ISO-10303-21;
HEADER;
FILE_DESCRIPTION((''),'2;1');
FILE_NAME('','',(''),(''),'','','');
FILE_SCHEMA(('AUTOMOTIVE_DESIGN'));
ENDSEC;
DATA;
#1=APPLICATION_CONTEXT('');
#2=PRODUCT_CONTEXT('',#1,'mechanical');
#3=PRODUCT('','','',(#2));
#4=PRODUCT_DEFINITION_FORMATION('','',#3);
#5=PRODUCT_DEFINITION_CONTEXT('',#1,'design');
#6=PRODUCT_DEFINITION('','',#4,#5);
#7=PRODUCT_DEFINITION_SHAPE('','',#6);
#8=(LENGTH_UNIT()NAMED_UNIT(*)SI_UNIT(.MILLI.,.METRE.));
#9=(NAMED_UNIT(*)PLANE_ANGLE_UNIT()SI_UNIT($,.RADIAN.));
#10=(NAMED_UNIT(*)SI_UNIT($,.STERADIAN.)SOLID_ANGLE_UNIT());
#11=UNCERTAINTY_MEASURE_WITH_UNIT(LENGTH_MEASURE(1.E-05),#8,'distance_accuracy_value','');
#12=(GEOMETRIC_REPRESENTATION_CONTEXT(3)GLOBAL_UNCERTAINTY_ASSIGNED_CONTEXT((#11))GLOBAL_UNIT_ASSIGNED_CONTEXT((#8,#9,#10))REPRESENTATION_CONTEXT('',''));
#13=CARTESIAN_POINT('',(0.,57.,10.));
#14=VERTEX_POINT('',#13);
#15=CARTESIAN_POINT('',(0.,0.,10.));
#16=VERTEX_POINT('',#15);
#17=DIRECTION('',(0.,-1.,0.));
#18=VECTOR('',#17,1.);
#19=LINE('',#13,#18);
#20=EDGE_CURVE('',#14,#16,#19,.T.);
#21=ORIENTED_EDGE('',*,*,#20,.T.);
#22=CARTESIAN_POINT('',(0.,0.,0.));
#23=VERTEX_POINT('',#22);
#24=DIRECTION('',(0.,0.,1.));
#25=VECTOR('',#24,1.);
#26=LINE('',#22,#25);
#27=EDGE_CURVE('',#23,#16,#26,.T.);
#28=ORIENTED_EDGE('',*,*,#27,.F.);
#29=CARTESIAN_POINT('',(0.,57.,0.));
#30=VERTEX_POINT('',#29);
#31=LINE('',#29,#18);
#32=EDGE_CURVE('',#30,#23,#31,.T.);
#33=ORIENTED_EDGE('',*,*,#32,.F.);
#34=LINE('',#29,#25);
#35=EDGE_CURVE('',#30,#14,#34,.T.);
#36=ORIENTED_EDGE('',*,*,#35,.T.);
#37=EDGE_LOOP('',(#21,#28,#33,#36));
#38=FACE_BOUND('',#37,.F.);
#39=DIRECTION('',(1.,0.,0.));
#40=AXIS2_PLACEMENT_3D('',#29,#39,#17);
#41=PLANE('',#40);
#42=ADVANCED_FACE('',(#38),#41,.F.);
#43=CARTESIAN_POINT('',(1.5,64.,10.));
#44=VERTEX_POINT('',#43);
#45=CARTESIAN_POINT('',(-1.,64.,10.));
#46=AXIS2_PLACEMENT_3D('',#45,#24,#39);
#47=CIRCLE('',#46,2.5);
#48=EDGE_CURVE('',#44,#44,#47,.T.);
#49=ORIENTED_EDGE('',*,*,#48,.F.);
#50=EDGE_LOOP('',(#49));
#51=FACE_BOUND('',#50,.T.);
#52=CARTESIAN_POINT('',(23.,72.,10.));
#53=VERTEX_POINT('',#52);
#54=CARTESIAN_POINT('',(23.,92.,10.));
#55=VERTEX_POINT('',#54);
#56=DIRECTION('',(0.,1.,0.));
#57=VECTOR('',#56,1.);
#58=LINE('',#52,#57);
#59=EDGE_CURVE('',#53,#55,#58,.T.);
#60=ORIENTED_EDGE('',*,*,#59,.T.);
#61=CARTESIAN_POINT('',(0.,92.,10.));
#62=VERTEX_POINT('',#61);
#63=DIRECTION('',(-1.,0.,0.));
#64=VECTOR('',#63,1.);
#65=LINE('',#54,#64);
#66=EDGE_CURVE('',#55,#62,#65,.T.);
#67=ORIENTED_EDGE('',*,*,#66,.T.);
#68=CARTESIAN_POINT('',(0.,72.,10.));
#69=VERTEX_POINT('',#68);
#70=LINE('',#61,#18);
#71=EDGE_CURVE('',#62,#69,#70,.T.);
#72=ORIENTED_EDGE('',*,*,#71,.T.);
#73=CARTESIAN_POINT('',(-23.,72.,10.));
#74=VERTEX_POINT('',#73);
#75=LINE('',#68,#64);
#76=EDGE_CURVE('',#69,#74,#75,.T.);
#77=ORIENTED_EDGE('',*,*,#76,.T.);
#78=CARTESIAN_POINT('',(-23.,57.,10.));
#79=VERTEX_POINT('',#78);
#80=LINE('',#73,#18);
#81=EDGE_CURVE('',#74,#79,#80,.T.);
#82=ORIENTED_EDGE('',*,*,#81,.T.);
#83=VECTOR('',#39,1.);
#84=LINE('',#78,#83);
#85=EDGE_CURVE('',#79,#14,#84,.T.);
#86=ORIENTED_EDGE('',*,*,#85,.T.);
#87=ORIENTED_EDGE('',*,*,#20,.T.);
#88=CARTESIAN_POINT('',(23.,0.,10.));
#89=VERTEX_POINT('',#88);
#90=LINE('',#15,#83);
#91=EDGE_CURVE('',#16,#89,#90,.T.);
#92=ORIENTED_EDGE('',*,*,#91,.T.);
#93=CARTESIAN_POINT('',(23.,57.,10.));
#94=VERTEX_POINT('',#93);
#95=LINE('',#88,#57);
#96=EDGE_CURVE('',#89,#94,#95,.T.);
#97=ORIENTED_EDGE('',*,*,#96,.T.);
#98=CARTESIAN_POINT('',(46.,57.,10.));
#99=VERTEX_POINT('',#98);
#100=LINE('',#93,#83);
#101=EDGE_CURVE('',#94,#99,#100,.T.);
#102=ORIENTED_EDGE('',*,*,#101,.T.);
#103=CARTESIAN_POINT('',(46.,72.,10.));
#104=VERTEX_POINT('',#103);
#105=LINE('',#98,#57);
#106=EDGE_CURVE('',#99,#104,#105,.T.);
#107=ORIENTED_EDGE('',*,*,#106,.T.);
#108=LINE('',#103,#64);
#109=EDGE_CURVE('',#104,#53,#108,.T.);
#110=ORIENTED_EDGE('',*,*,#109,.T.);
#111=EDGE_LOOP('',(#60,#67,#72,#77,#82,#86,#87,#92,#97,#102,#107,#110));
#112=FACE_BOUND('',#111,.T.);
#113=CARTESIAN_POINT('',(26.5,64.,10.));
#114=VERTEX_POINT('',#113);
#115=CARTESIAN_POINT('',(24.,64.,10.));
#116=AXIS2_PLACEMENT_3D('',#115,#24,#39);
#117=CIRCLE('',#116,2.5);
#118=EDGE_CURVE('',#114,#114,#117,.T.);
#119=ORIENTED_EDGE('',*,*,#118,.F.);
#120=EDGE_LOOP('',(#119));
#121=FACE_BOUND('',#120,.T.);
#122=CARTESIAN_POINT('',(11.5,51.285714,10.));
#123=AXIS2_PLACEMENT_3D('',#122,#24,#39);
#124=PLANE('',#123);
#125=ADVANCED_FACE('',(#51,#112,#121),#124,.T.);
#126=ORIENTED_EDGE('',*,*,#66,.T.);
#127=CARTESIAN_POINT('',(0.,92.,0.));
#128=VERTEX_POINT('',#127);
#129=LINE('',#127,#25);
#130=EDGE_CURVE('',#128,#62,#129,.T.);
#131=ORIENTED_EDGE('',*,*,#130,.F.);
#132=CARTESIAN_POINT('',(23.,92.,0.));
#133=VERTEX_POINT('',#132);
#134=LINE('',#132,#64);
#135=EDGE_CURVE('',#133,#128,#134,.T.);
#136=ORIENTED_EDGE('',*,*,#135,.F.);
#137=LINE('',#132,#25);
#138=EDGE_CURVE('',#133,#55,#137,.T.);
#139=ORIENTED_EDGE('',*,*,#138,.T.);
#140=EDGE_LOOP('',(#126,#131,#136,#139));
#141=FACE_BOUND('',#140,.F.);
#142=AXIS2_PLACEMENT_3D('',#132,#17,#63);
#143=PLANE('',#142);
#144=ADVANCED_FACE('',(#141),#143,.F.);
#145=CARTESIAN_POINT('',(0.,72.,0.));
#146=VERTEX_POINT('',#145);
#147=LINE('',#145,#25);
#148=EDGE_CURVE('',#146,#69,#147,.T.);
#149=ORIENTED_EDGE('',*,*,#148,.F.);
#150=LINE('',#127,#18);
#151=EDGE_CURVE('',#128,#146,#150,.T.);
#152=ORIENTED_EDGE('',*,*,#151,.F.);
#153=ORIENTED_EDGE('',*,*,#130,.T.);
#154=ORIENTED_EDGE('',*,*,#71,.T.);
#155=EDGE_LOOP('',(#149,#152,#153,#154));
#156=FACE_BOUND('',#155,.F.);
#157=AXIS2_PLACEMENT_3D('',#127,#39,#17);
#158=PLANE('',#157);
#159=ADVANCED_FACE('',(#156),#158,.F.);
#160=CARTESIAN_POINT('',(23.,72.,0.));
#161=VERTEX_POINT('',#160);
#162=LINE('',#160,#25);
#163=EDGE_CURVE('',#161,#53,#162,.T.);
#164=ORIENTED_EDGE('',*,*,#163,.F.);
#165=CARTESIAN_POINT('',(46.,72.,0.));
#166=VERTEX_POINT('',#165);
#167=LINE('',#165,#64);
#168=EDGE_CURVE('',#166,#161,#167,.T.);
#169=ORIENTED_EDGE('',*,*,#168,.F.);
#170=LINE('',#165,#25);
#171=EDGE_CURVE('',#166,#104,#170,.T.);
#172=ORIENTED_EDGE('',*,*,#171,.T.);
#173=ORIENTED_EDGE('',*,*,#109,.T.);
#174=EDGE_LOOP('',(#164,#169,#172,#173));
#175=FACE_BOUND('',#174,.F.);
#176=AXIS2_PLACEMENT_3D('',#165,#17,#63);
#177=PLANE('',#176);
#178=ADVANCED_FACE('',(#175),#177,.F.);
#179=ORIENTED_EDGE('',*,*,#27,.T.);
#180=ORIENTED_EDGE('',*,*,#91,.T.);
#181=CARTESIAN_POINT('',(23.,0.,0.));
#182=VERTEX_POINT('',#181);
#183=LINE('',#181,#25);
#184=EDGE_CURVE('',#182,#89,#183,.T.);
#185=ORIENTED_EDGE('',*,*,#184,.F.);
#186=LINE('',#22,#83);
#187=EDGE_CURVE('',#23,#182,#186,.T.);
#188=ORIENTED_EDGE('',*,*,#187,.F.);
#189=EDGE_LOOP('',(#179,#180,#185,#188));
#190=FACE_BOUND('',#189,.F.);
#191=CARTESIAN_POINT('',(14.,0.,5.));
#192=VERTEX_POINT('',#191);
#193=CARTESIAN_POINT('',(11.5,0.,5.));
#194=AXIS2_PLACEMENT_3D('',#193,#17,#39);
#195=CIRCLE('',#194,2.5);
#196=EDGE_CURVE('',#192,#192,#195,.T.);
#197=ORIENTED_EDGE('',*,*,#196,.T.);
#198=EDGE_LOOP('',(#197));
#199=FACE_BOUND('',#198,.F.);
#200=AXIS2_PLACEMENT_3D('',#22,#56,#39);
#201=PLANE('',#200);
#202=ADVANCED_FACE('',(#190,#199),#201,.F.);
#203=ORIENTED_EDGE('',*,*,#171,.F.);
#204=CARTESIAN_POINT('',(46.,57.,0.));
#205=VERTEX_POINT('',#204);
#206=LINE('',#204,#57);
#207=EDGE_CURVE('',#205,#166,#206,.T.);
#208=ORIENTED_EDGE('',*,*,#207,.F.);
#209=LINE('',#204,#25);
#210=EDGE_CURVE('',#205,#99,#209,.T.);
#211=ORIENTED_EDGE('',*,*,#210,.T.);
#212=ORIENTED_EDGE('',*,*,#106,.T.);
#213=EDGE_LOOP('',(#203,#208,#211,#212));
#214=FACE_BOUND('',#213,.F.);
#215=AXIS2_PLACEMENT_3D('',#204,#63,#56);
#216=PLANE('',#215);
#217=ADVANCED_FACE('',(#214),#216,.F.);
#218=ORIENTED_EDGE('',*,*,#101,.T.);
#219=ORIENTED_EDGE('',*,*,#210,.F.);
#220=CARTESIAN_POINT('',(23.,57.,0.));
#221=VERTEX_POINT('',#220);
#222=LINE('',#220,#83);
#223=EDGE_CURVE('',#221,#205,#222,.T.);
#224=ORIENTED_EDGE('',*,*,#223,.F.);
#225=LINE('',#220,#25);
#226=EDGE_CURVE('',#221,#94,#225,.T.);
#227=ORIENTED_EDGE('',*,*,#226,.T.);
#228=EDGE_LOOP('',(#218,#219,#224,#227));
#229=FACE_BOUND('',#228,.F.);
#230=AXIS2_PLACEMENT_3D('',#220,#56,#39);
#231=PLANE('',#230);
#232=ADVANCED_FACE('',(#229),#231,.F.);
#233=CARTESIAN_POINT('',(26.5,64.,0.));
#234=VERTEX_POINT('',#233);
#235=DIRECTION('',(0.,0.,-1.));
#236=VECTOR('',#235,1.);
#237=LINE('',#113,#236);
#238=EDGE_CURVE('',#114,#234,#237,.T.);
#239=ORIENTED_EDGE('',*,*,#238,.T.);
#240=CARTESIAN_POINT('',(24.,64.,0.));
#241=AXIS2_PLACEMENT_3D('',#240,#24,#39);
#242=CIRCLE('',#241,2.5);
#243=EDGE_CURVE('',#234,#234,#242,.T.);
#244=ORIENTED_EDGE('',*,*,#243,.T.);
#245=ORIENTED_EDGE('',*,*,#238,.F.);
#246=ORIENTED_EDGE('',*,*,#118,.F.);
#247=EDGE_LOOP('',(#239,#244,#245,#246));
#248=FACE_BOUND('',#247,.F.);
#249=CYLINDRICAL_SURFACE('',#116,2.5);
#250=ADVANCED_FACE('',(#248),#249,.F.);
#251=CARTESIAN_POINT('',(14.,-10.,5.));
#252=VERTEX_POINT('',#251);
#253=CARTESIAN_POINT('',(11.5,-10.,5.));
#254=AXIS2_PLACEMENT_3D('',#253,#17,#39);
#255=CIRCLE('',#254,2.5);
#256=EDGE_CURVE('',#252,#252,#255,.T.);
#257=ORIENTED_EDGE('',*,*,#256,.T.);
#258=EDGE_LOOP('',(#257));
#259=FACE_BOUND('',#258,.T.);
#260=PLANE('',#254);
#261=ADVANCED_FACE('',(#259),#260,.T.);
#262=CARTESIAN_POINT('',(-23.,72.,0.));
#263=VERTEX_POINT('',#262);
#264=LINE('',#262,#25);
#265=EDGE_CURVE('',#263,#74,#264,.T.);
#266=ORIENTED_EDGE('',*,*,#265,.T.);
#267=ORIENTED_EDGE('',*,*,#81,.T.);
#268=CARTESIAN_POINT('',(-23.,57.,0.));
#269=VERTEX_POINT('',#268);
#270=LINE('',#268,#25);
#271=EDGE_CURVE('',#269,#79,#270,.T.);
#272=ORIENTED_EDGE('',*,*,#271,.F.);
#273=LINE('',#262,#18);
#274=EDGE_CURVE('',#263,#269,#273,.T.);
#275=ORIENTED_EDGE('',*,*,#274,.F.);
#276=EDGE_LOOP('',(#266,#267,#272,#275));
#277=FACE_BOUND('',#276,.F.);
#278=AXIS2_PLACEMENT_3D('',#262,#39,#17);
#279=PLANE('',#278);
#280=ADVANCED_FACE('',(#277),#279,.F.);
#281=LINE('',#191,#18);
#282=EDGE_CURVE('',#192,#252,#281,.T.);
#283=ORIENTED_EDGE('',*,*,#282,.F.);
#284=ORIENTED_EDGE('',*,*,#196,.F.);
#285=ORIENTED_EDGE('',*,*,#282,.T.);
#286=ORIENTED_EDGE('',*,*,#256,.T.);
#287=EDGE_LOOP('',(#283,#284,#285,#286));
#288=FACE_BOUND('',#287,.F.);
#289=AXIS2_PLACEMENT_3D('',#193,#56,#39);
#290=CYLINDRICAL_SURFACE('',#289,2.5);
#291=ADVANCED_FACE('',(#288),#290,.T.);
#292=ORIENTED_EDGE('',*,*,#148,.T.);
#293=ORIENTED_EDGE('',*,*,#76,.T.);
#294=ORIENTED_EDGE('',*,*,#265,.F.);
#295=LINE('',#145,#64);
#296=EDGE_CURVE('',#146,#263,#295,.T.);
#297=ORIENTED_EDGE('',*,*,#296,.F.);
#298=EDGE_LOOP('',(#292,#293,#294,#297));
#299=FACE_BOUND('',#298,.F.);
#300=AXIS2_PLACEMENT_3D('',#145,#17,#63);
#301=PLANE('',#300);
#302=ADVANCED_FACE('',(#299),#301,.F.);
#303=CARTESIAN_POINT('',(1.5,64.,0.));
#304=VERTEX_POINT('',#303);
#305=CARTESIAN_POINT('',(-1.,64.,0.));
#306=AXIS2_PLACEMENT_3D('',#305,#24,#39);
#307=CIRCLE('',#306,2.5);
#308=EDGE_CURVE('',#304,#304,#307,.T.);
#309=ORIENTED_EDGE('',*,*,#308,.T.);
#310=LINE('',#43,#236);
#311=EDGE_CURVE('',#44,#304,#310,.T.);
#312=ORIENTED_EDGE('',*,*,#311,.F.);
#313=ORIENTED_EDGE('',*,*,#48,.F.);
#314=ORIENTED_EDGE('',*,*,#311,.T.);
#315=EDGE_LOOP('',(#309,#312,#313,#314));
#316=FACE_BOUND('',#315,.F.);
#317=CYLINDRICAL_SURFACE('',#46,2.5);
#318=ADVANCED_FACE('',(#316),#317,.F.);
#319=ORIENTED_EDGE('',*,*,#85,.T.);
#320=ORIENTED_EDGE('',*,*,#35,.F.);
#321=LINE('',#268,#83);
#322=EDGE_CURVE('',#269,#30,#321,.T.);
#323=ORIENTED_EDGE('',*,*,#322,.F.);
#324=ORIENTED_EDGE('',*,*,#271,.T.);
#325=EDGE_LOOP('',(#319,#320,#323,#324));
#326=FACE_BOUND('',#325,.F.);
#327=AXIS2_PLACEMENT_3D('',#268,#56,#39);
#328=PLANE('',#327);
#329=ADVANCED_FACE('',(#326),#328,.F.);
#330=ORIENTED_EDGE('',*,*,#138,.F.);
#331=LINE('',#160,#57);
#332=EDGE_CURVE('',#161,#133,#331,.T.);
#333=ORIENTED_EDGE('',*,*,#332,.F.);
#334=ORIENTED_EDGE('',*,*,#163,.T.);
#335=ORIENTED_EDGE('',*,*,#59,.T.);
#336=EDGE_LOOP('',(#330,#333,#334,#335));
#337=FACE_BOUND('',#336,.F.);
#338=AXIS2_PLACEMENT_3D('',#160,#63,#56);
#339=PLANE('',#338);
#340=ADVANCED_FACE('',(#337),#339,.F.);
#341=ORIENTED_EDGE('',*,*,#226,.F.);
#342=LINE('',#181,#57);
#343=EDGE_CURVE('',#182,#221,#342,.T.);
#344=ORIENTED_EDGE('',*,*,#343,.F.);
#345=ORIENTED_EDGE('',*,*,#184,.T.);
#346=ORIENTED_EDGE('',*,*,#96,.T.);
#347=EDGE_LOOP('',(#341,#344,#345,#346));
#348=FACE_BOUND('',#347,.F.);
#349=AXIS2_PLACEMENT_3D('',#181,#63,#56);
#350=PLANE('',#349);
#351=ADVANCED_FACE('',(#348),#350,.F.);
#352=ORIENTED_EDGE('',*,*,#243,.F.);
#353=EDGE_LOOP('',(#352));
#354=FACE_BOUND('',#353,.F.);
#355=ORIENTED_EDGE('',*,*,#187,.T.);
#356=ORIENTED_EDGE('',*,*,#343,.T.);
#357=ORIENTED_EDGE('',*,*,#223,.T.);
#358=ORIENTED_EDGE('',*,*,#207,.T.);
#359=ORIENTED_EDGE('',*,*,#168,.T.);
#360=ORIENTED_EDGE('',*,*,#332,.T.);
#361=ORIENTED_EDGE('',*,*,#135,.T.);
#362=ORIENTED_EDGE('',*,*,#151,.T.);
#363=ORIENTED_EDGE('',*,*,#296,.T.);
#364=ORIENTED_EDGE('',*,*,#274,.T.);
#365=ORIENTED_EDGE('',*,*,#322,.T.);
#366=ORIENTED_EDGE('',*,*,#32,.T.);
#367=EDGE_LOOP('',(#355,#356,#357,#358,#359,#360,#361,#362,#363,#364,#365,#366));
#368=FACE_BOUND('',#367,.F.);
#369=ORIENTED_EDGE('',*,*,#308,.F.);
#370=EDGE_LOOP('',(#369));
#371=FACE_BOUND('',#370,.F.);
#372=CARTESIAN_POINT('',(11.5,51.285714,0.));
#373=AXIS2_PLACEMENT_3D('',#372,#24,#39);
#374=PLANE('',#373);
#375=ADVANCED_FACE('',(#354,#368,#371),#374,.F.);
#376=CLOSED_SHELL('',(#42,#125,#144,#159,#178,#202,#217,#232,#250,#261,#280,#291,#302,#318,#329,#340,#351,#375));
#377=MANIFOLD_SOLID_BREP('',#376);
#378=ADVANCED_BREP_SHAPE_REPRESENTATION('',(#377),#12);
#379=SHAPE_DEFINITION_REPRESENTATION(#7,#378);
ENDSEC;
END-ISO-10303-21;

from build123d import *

# Parameters (mm, degrees)
PAD_DEPTH    = 10
SKETCH001_R  = 2.5
PAD001_DEPTH = 10
SKETCH002_R  = 2.5
POCKET_DEPTH = 10


with BuildPart() as part:
    # Sketch → Pad (new body)
    with BuildSketch(Plane.XY):
        Polygon((0, 0), (23, 0), (23, 57), (46, 57), (46, 72), (23, 72), (23, 92), (0, 92), (0, 72), (-23, 72), (-23, 57), (0, 57), align=None)
    extrude(amount=PAD_DEPTH)

    # Sketch001 → Pad001 (new body)
    with BuildSketch(Plane.XZ):
        with Locations((11.5, 5)):
            Circle(SKETCH001_R)
    extrude(amount=PAD001_DEPTH)

    # Sketch002 → Pocket (cut)
    with BuildSketch(Plane.XY.offset(10)):
        with Locations((24, 64)):
            Circle(SKETCH002_R)
        with Locations((-1, 64)):
            Circle(SKETCH002_R)
    extrude(amount=-POCKET_DEPTH, mode=Mode.SUBTRACT)


solid = part.part
